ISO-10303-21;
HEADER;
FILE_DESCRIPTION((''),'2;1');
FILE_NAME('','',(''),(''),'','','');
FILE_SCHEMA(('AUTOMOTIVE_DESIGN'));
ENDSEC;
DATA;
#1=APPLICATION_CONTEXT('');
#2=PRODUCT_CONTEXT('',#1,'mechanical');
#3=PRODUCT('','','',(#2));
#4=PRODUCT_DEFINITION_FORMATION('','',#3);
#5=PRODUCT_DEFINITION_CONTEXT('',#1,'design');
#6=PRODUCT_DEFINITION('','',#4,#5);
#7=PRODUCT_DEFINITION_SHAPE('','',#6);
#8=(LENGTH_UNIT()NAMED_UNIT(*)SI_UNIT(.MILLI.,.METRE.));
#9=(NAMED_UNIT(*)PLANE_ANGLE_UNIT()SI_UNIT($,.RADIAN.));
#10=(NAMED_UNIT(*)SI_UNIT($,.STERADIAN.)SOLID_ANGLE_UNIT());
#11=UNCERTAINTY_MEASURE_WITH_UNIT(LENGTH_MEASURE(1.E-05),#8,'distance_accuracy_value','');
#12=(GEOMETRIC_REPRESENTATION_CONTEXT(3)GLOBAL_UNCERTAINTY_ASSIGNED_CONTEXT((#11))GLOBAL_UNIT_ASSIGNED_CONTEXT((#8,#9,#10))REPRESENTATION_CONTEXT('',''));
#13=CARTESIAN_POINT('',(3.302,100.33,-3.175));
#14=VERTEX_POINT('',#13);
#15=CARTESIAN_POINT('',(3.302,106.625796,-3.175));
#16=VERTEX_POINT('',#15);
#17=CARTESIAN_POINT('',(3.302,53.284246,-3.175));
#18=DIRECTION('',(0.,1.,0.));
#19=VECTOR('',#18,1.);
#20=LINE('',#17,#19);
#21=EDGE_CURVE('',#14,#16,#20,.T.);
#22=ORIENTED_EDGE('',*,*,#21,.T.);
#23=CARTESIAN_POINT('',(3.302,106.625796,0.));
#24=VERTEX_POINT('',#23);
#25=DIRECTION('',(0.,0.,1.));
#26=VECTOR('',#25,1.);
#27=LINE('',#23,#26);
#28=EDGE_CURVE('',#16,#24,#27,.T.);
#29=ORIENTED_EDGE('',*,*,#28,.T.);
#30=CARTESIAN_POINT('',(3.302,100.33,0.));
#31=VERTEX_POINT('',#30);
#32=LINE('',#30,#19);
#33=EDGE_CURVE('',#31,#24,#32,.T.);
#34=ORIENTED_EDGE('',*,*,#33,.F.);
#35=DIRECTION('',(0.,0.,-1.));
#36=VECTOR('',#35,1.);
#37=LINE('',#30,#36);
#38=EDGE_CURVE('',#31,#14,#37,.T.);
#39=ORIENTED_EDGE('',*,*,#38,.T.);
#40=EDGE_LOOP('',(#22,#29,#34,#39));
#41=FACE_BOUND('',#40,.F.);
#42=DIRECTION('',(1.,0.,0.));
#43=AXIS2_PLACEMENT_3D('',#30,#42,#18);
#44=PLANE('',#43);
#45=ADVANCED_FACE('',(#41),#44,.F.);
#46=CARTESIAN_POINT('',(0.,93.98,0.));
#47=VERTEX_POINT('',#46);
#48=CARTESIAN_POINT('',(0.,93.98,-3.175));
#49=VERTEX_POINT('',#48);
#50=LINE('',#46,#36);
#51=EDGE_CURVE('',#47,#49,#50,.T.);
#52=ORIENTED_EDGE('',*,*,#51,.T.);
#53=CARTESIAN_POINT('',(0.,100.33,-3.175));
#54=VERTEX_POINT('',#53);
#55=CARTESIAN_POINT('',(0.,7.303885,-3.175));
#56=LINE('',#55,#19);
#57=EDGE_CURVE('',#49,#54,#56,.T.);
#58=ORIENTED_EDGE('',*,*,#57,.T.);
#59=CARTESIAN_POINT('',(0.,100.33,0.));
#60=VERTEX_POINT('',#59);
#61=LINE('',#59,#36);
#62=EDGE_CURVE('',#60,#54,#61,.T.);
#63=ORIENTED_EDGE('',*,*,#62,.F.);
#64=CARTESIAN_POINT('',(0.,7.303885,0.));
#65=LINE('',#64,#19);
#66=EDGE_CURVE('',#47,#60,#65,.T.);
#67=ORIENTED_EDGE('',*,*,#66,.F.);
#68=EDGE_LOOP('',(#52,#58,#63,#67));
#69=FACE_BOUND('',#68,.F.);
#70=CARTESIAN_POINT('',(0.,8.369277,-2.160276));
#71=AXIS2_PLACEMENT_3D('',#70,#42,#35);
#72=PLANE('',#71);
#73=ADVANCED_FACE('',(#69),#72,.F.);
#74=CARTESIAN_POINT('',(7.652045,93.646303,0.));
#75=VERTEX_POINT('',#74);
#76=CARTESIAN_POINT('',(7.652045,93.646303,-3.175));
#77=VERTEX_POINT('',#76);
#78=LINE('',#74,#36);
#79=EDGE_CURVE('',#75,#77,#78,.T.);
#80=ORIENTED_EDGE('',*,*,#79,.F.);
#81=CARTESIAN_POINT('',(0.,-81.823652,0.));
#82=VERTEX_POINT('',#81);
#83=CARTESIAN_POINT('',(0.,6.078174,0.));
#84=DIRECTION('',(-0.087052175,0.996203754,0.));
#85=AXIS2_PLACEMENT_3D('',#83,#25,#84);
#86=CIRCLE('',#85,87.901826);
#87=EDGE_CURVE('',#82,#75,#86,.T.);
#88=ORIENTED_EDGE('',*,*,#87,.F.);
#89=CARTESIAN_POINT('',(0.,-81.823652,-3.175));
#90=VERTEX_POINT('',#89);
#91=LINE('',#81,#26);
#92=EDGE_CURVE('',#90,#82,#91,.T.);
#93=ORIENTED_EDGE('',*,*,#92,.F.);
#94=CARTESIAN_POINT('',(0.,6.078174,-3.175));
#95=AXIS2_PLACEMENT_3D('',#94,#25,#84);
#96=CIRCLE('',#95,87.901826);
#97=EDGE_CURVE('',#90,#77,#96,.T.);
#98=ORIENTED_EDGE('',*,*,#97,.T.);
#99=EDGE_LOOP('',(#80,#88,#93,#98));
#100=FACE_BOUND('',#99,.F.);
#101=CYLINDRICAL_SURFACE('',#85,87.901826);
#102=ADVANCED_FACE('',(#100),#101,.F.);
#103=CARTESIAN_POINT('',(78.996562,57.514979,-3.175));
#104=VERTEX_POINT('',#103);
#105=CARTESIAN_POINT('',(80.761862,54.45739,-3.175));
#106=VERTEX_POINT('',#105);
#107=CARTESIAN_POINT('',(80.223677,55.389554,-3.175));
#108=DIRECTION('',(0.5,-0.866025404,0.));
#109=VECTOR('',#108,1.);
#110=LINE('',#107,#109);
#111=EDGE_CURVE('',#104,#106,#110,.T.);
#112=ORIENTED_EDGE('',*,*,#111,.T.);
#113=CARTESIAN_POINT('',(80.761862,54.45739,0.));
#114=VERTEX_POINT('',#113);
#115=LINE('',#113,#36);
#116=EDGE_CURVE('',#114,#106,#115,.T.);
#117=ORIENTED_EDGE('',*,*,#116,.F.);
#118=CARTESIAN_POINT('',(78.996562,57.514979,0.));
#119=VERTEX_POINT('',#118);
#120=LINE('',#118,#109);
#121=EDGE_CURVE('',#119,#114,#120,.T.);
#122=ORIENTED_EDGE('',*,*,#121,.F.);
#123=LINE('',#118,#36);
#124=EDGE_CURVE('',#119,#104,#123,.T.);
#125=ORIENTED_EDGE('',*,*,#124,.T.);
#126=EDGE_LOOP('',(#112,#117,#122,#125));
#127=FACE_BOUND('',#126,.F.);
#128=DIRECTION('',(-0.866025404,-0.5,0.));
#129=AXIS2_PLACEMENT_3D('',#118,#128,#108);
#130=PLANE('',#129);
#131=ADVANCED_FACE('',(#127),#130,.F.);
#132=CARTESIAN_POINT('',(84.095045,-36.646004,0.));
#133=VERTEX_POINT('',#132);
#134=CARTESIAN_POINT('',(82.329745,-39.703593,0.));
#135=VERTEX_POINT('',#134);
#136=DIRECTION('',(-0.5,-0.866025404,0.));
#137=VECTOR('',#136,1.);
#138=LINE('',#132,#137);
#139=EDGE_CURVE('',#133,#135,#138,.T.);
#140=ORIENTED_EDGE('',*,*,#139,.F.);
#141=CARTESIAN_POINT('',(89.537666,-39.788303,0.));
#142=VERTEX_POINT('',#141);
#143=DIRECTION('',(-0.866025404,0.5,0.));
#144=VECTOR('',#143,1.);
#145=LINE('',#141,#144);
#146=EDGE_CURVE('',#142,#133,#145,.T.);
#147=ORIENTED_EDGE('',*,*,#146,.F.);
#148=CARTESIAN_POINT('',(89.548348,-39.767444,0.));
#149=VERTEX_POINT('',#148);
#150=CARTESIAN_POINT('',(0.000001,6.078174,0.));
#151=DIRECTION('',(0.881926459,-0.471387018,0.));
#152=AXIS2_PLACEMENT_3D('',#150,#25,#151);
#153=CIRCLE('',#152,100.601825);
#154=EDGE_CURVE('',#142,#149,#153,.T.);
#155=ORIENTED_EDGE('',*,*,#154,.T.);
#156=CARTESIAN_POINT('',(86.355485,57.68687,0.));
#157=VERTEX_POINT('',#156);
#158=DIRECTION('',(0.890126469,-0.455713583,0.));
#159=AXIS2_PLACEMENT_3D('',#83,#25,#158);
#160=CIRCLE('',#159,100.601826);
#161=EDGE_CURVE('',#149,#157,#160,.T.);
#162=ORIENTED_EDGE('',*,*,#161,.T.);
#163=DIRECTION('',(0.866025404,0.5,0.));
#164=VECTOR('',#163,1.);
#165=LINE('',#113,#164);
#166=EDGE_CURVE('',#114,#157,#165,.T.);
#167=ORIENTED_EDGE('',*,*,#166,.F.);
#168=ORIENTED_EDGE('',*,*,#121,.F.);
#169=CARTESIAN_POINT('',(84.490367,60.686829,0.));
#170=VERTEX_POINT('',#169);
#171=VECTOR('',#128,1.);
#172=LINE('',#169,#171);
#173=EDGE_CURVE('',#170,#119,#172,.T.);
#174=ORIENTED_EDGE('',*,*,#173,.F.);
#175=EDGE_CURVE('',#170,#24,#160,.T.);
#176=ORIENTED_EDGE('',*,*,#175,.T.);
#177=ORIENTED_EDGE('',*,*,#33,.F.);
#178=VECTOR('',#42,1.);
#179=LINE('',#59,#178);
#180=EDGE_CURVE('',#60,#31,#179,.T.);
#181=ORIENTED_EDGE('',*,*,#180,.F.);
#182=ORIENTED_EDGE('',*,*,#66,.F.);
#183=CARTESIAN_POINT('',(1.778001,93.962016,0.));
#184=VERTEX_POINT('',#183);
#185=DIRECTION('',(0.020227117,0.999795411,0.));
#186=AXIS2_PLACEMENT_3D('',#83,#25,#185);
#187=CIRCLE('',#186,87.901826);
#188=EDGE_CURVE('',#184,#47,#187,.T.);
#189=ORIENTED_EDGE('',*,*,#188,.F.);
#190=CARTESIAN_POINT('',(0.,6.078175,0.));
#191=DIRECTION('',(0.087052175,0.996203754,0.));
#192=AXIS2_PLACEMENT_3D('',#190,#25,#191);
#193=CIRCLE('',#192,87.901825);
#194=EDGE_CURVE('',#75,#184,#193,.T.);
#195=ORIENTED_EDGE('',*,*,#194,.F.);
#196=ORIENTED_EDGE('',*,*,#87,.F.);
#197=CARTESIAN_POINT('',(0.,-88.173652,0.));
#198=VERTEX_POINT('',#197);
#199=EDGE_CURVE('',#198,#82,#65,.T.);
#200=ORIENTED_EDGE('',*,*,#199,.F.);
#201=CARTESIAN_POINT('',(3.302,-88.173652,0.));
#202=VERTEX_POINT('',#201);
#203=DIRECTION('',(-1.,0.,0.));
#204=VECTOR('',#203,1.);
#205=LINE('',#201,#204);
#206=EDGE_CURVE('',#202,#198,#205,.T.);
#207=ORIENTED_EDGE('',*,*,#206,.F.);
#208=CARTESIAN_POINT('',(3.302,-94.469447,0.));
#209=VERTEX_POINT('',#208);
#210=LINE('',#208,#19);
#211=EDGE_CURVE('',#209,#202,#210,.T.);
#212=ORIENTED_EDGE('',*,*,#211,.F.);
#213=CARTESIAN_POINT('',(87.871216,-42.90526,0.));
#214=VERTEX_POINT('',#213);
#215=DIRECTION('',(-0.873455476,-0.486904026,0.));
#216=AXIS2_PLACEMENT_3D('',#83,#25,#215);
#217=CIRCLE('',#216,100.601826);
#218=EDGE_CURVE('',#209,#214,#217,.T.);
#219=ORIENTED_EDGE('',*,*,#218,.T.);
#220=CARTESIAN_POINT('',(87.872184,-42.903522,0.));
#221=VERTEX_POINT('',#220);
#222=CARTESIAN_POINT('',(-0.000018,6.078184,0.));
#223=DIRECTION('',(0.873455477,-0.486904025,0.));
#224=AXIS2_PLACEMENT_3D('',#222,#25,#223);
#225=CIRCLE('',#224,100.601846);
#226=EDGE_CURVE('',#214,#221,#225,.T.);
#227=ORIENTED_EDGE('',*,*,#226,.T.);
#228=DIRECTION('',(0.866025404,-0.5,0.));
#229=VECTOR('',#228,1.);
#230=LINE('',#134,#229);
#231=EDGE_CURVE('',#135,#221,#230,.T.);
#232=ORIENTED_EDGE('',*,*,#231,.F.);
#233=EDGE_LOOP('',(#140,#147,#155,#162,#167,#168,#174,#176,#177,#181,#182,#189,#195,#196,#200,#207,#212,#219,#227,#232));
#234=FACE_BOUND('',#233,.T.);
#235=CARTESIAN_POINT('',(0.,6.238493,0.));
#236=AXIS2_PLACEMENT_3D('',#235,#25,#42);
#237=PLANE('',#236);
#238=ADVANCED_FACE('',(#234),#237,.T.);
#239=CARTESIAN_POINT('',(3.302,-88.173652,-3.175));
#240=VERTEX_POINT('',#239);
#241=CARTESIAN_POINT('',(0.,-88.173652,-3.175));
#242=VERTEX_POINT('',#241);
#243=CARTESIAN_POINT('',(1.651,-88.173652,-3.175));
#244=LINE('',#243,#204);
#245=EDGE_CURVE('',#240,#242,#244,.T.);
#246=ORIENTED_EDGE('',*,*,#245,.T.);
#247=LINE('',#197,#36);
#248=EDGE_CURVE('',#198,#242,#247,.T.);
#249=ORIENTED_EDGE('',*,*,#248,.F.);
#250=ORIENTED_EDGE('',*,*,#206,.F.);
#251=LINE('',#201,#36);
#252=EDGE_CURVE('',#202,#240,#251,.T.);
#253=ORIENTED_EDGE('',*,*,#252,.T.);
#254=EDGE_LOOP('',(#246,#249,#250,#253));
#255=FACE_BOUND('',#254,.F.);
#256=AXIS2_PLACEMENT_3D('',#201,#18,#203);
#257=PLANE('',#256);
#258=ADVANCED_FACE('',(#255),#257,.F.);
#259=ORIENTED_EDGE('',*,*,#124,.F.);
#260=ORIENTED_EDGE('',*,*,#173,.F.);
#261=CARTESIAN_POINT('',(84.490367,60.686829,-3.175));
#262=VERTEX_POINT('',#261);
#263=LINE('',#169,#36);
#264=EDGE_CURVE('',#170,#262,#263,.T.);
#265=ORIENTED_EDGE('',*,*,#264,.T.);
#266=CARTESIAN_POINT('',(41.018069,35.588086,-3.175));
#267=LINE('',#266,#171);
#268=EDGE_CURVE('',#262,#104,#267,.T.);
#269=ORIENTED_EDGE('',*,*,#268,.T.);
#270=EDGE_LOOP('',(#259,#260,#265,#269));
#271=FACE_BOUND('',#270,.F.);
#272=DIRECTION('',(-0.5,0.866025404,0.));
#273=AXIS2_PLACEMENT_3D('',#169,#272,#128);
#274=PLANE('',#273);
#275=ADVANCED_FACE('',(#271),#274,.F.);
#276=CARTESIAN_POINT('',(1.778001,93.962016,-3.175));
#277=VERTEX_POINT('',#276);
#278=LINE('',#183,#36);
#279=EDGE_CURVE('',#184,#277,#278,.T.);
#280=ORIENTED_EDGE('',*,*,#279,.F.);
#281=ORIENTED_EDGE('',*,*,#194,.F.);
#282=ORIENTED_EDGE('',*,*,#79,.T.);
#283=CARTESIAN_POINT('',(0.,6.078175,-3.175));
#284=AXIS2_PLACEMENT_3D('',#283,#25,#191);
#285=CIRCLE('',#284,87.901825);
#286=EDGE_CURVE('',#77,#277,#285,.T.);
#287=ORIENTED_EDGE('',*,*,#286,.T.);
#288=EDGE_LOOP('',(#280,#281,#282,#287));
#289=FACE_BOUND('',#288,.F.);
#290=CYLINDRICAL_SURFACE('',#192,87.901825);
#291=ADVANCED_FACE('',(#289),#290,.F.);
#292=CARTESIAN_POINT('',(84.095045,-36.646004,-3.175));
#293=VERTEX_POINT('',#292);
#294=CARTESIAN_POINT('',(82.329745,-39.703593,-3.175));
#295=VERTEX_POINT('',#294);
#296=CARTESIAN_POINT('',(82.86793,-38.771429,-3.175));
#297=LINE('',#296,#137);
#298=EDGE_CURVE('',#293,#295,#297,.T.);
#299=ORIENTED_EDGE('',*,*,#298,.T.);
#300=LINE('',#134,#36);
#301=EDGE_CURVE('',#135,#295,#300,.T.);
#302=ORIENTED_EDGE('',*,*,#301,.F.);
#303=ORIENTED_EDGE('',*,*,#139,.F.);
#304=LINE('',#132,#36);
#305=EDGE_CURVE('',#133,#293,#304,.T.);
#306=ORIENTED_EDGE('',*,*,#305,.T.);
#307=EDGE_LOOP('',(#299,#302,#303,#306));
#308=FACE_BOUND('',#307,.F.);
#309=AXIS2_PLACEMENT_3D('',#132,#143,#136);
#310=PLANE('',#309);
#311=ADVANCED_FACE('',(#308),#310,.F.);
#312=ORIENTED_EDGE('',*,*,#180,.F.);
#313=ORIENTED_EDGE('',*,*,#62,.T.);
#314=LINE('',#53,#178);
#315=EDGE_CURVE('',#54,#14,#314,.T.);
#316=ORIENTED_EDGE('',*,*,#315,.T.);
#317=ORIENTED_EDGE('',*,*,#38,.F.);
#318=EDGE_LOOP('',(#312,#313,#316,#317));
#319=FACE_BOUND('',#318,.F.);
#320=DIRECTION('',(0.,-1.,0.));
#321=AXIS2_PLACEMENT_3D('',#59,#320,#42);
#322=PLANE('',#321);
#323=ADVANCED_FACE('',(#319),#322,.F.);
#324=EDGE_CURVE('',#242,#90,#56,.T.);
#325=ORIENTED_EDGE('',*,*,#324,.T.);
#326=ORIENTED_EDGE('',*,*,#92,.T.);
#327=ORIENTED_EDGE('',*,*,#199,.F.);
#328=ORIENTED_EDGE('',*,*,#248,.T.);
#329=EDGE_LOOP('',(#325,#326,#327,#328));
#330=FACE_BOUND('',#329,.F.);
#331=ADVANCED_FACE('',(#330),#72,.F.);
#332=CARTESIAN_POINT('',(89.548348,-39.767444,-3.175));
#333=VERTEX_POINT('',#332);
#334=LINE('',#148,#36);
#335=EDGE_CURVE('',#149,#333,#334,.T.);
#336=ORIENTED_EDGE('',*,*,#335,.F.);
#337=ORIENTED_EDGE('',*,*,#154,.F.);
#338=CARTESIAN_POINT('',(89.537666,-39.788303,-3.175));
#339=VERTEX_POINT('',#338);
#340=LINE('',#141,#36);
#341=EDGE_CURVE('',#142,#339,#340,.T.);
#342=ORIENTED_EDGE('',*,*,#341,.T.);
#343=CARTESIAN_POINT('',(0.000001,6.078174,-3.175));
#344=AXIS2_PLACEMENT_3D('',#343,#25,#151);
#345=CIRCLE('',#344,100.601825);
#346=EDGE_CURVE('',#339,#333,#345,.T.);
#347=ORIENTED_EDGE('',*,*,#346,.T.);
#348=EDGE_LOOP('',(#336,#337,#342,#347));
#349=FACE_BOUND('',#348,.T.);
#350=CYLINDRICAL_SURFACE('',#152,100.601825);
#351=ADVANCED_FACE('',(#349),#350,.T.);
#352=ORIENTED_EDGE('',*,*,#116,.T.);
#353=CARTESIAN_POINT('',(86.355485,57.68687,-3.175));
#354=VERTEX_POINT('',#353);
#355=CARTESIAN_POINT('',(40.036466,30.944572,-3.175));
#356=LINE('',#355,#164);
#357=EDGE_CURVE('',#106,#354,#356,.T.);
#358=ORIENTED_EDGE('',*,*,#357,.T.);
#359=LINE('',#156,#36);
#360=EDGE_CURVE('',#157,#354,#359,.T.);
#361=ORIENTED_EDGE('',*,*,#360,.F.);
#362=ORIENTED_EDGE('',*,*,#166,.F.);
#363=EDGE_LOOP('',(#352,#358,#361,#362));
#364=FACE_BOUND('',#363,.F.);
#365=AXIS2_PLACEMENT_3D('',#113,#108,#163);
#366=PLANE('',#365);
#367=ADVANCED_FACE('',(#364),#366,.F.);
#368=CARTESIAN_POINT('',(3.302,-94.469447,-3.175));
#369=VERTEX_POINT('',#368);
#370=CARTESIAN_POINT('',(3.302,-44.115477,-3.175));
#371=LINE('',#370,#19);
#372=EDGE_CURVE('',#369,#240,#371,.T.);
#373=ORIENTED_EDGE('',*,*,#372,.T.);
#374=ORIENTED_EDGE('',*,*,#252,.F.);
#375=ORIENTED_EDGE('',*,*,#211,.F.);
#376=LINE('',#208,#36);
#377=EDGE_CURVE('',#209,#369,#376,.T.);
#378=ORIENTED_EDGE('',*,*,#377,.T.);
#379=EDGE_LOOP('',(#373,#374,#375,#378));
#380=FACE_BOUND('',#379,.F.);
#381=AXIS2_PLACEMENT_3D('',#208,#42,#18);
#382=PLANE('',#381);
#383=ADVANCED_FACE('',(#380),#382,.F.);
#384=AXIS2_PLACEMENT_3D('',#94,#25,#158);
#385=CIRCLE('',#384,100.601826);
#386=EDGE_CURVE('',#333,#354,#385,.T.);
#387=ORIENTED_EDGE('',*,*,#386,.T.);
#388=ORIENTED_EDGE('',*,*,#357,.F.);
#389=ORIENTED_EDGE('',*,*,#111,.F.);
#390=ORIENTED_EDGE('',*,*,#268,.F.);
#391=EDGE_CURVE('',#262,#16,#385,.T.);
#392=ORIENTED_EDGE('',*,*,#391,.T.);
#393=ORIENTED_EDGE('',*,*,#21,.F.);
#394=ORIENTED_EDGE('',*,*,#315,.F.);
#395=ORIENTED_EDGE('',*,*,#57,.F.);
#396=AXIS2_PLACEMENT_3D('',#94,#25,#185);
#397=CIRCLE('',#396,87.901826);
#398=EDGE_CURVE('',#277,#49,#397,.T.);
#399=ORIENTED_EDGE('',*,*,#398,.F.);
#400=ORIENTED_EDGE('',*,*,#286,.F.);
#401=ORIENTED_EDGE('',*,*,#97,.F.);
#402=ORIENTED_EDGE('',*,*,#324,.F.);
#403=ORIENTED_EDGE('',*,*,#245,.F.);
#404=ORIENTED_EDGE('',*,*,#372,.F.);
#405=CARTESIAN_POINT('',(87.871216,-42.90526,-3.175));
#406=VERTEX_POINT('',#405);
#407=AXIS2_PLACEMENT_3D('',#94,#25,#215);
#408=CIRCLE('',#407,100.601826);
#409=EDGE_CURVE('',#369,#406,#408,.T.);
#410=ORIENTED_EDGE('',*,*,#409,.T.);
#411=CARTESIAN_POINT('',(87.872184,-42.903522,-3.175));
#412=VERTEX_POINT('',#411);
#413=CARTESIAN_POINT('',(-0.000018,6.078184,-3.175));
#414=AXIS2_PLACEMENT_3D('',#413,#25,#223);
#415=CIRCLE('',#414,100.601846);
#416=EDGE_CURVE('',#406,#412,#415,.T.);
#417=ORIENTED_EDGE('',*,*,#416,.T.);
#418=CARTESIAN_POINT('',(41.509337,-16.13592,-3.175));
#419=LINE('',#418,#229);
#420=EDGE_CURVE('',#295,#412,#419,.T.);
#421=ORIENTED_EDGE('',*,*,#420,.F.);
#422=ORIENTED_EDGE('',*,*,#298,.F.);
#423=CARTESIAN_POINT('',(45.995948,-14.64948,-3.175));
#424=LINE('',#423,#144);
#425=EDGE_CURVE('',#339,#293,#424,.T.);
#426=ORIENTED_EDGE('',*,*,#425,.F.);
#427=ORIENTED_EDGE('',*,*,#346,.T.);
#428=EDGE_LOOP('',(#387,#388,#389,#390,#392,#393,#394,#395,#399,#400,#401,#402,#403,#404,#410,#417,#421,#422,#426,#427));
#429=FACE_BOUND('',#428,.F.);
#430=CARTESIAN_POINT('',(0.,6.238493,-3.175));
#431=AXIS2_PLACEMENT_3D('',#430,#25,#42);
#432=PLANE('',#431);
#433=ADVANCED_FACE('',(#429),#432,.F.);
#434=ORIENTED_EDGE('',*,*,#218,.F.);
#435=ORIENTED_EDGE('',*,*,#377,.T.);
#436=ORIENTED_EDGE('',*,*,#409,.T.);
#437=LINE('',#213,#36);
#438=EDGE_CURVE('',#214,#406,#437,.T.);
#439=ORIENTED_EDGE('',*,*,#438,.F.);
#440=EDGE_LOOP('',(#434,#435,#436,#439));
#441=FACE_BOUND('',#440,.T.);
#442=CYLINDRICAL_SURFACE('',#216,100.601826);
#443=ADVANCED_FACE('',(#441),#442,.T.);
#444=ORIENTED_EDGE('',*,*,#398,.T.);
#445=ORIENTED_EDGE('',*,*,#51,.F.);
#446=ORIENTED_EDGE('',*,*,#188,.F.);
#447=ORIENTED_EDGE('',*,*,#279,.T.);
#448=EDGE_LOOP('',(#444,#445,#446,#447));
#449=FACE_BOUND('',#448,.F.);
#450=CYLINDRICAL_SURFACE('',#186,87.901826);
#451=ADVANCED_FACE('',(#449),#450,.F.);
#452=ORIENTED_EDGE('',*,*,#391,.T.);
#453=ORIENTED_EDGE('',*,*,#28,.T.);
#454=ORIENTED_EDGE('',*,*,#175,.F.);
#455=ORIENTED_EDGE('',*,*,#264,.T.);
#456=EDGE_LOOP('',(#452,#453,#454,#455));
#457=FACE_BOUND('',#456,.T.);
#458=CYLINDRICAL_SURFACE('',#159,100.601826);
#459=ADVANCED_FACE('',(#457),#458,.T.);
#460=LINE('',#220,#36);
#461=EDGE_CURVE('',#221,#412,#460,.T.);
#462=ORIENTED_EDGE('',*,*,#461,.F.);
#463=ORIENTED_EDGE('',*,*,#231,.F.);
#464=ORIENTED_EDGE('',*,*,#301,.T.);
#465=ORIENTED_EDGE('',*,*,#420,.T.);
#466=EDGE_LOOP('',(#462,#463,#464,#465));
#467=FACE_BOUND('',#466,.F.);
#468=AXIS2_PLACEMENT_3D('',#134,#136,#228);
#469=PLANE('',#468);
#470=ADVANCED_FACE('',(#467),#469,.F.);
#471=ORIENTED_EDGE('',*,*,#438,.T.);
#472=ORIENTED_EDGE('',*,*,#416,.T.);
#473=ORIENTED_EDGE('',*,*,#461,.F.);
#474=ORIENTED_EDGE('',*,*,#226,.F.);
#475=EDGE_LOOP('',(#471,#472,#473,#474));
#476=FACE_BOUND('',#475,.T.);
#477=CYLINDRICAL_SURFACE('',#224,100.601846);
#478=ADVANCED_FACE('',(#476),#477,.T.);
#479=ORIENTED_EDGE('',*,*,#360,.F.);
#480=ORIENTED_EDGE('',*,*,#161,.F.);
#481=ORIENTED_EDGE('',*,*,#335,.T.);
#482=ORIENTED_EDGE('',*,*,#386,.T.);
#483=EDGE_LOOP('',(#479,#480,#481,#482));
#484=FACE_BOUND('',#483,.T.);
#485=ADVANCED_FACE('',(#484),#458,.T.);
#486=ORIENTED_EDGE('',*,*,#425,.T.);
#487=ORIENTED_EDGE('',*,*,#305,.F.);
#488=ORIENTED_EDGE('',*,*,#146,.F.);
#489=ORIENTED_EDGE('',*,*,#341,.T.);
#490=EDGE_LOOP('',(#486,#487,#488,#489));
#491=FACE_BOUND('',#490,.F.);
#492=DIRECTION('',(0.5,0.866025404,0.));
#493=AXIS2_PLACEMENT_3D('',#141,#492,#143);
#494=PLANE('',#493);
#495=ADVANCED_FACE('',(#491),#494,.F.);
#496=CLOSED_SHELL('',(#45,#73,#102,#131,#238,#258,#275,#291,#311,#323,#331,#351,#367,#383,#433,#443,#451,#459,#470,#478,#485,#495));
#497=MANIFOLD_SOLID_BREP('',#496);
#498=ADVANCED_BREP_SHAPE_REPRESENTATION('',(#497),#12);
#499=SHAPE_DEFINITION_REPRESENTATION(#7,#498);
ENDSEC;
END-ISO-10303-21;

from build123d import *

# Parameters (mm, degrees)
BOSS_EXTRUDE1_DEPTH = 3.175
SKETCH3_W           = 149.303507008
SKETCH3_H           = 288.678903575
CUT_EXTRUDE1_DEPTH  = 101.601825753
CUT_EXTRUDE2_DEPTH  = 4.175


with BuildPart() as part:
    # Sketch2 → Boss-Extrude1 (new body)
    with BuildSketch(Plane.XY):
        with BuildLine():
            ThreePointArc((-1.783927604, 106.664181958), (-86.289926541, 57.796410124), (-89.548347912, -39.767444199))
            ThreePointArc((-89.548347912, -39.767444199), (-89.139366423, -40.557656379), (-88.723411943, -41.344220438))
            ThreePointArc((-88.723411943, -41.344220438), (-88.300763494, -42.126623343), (-87.87121564, -42.905259753))
            ThreePointArc((-87.87121564, -42.905259753), (0, -94.523651503), (87.87121564, -42.905259753))
            ThreePointArc((87.87121564, -42.905259753), (88.300763494, -42.126623343), (88.723411943, -41.344220438))
            ThreePointArc((88.723411943, -41.344220438), (89.139366423, -40.557656379), (89.548347912, -39.767444199))
            ThreePointArc((89.548347912, -39.767444199), (86.289926541, 57.796410124), (1.783927604, 106.664181958))
            ThreePointArc((1.783927604, 106.664181958), (0.891998866, 106.676045412), (0, 106.68))
            ThreePointArc((0, 106.68), (-0.891998866, 106.676045412), (-1.783927604, 106.664181958))
        make_face()
        with BuildLine():
            ThreePointArc((-7.652045127, 93.646303016), (0, -81.823651503), (7.652045127, 93.646303016))
            ThreePointArc((7.652045127, 93.646303016), (4.717664566, 93.853310885), (1.778000524, 93.962016248))
            ThreePointArc((1.778000524, 93.962016248), (0.889045735, 93.975503947), (0, 93.98))
            ThreePointArc((0, 93.98), (-0.889045735, 93.975503947), (-1.778000524, 93.962016248))
            ThreePointArc((-1.778000524, 93.962016248), (-4.717664566, 93.853310885), (-7.652045127, 93.646303016))
        make_face(mode=Mode.SUBTRACT)
    extrude(amount=-BOSS_EXTRUDE1_DEPTH)

    # Sketch3 → Cut-Extrude1 (cut, through all)
    with BuildSketch(Plane(origin=(0, 0, 0), x_dir=(0, 0, -1), z_dir=(1, 0, 0))):
        with Locations((2.160275602, 8.369276658)):
            Rectangle(SKETCH3_W, SKETCH3_H)
    extrude(amount=-CUT_EXTRUDE1_DEPTH, mode=Mode.SUBTRACT)

    # Sketch4 → Cut-Extrude2 (cut, through all)
    with BuildSketch(Plane.XY):
        with BuildLine():
            ThreePointArc((0, 106.68), (1.651222436, 106.666447964), (3.302, 106.625795506))
            Line((3.302, 106.625795506), (3.302, 110.295839279))
            Line((3.302, 110.295839279), (0, 110.295839279))
            Line((0, 110.295839279), (0, 106.68))
        make_face()
        with BuildLine():
            Line((3.302, 100.33), (3.302, 106.625795506))
            ThreePointArc((3.302, 106.625795506), (1.651222436, 106.666447964), (0, 106.68))
            Line((0, 106.68), (0, 100.33))
            Line((0, 100.33), (3.302, 100.33))
        make_face()
        with BuildLine():
            Line((82.32974483, -39.7035932), (87.872184265, -42.9035221))
            ThreePointArc((87.872184265, -42.9035221), (88.718599471, -41.35322308), (89.537666015, -39.788302716))
            Line((89.537666015, -39.788302716), (84.09504483, -36.64600391))
            Line((84.09504483, -36.64600391), (82.32974483, -39.7035932))
        make_face()
        with BuildLine():
            Line((3.302, -94.469447009), (3.302, -88.173651503))
            Line((3.302, -88.173651503), (0, -88.173651503))
            Line((0, -88.173651503), (0, -94.523651503))
            ThreePointArc((0, -94.523651503), (1.651222436, -94.510099467), (3.302, -94.469447009))
        make_face()
        with BuildLine():
            Line((80.761862371, 54.45739012), (86.35548549, 57.686869933))
            ThreePointArc((86.35548549, 57.686869933), (85.436094759, 59.195036514), (84.490367241, 60.686829131))
            Line((84.490367241, 60.686829131), (78.996562371, 57.51497941))
            Line((78.996562371, 57.51497941), (80.761862371, 54.45739012))
        make_face()
    extrude(amount=-CUT_EXTRUDE2_DEPTH, mode=Mode.SUBTRACT)


solid = part.part
